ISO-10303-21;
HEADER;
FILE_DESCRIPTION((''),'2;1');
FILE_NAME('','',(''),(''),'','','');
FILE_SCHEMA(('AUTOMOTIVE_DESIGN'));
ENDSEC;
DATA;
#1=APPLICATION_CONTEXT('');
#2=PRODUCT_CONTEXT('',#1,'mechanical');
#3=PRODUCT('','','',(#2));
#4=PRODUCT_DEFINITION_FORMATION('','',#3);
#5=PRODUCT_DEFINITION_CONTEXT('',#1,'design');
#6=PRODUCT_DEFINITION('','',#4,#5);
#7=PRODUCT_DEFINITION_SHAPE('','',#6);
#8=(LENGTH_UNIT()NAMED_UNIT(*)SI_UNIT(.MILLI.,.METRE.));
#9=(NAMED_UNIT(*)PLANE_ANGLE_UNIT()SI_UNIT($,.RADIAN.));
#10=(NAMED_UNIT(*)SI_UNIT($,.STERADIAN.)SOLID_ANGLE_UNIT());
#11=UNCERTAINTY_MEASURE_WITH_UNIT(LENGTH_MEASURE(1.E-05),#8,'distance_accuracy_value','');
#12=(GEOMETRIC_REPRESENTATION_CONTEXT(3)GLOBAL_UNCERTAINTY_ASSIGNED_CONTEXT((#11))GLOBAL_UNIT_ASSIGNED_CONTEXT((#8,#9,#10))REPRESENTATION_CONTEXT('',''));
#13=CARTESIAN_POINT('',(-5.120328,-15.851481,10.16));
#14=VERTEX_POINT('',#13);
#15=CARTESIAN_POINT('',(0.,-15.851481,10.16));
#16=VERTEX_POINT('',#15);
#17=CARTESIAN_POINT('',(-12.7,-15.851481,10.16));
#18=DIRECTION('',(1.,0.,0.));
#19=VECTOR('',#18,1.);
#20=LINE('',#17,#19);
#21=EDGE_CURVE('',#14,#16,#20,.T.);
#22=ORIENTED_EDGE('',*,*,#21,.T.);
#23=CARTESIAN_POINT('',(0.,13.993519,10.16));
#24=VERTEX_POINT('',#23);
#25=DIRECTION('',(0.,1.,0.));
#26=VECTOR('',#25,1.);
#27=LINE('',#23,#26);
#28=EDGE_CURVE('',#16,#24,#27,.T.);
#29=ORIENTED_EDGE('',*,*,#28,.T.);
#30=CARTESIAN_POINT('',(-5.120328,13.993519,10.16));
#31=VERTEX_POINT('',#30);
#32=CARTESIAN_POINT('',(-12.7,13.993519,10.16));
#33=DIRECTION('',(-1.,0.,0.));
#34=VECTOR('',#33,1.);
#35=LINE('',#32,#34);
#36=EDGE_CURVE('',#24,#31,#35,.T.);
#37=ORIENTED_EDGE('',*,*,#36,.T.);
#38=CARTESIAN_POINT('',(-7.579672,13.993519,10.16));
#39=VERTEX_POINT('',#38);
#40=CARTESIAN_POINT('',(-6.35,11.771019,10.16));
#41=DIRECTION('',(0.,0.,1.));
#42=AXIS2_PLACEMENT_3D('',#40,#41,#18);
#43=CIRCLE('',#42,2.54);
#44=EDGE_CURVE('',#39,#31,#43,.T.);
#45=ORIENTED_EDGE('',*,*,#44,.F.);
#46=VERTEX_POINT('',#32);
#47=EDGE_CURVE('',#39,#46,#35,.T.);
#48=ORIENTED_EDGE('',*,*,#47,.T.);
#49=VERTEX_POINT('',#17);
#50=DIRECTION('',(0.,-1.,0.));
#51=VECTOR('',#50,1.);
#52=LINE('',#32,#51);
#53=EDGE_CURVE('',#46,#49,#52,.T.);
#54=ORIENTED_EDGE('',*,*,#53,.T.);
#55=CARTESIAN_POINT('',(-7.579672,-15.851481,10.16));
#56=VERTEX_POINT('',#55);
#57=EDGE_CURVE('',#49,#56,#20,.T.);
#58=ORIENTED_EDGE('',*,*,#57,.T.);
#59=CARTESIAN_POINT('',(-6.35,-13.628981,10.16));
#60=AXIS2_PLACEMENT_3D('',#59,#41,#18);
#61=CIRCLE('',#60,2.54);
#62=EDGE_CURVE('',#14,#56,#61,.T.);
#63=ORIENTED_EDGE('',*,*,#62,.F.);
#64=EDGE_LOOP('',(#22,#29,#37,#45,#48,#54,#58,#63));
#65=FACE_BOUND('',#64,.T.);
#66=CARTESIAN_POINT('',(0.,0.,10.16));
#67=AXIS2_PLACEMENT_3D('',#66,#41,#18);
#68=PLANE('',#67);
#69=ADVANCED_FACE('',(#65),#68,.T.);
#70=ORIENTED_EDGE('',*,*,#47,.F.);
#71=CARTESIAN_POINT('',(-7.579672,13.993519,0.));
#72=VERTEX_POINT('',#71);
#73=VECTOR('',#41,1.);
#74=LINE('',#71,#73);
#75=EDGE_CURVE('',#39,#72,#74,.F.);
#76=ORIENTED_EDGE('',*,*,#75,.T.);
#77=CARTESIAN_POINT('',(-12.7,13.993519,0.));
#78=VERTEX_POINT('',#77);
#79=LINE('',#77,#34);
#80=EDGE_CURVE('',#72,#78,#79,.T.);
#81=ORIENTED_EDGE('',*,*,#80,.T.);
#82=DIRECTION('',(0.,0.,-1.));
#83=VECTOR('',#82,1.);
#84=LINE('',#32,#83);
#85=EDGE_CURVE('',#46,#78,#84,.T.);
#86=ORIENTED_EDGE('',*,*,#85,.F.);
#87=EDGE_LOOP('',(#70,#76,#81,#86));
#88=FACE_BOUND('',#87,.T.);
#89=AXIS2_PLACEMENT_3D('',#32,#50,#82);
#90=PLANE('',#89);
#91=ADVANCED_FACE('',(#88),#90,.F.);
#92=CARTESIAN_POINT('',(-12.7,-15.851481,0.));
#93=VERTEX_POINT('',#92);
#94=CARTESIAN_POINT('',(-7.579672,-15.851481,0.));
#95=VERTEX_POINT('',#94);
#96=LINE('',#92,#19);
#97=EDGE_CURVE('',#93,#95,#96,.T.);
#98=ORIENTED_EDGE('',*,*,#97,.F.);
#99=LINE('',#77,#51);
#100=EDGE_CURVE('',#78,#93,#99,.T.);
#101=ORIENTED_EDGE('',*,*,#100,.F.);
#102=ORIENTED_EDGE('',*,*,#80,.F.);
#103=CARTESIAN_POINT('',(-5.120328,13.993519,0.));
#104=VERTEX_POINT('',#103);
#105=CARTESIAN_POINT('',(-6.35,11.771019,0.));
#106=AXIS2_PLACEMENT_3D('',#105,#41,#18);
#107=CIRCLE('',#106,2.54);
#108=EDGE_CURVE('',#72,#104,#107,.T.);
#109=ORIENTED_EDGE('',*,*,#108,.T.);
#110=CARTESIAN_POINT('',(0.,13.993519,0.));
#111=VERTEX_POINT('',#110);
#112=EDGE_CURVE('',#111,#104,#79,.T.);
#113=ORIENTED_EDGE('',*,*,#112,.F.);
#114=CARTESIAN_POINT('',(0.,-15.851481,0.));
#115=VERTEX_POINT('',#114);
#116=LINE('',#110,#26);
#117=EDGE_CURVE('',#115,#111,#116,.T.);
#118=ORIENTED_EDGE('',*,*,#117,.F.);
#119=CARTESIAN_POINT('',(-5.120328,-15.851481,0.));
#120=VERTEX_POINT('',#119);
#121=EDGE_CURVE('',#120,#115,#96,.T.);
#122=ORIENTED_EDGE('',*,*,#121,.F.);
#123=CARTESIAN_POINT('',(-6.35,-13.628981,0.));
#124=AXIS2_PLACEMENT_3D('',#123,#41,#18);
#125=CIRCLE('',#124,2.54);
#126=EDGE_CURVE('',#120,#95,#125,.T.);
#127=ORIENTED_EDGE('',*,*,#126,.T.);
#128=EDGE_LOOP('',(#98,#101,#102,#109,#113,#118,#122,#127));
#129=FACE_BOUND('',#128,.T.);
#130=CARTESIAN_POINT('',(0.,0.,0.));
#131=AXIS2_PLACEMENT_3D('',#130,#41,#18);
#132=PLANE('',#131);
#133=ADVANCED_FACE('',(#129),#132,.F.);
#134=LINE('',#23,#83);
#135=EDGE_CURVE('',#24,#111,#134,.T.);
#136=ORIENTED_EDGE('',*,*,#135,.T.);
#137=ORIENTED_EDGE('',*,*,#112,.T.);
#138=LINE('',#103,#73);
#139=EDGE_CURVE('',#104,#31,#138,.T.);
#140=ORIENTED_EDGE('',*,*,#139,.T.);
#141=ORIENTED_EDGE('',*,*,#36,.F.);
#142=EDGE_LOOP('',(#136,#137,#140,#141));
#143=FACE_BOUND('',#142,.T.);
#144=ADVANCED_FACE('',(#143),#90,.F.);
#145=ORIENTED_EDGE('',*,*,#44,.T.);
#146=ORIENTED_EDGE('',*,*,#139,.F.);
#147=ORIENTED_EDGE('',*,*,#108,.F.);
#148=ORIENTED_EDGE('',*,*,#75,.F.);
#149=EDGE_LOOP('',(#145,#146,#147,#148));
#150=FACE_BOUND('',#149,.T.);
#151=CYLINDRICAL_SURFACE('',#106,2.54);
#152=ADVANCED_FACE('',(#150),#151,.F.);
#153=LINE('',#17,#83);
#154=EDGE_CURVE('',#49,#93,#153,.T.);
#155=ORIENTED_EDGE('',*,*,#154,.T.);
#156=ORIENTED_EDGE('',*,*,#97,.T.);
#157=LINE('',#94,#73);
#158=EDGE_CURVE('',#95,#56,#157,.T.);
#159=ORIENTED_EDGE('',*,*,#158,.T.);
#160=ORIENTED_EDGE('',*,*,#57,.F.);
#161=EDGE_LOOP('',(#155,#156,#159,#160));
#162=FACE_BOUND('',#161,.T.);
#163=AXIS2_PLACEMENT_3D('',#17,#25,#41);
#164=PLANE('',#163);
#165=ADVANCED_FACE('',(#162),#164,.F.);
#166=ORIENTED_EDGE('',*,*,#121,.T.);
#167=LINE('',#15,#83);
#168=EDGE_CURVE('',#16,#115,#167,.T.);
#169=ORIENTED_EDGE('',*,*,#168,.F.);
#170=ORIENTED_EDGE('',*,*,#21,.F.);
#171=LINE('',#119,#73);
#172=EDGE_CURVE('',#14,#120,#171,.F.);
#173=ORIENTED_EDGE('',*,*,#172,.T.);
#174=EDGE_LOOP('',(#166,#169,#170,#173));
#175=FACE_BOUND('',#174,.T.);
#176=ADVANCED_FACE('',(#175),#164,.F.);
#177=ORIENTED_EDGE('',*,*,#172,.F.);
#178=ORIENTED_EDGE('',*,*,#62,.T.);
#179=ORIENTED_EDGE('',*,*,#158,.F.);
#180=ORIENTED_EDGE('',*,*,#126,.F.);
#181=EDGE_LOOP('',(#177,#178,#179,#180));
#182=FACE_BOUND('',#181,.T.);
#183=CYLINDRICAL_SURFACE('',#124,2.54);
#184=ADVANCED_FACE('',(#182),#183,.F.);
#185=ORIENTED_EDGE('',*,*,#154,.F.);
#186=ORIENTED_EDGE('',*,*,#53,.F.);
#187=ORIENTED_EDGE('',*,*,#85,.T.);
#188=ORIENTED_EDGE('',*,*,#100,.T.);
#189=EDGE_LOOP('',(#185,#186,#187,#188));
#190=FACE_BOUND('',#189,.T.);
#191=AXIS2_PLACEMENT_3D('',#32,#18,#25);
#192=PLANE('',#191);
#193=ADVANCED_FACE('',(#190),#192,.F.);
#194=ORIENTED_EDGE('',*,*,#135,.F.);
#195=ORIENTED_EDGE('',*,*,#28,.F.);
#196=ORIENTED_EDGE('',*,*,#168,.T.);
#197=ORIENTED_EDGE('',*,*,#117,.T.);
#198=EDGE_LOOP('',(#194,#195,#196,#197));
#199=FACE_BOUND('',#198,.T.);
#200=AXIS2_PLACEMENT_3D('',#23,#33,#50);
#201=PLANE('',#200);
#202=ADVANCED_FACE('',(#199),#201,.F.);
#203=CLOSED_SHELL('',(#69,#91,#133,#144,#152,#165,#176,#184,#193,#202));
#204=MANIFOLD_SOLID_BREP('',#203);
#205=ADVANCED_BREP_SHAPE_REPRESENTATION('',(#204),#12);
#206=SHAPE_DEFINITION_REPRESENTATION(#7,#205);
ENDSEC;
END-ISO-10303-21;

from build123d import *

# Parameters (mm, degrees)
SKETCH1_W           = 12.7
SKETCH1_H           = 29.845
BOSS_EXTRUDE1_DEPTH = 10.16
SKETCH2_R           = 2.54
CUT_EXTRUDE1_DEPTH  = 10.16


with BuildPart() as part:
    # Sketch1 → Boss-Extrude1 (new body)
    with BuildSketch(Plane.XY):
        with Locations((-6.35, -0.928981481)):
            Rectangle(SKETCH1_W, SKETCH1_H)
    extrude(amount=BOSS_EXTRUDE1_DEPTH)

    # Sketch2 → Cut-Extrude1 (cut)
    with BuildSketch(Plane.XY.offset(10.16)):
        with Locations((-6.35, 11.771018519)):
            Circle(SKETCH2_R)
        with Locations((-6.35, -13.628981481)):
            Circle(SKETCH2_R)
    extrude(amount=-CUT_EXTRUDE1_DEPTH, mode=Mode.SUBTRACT)


solid = part.part
